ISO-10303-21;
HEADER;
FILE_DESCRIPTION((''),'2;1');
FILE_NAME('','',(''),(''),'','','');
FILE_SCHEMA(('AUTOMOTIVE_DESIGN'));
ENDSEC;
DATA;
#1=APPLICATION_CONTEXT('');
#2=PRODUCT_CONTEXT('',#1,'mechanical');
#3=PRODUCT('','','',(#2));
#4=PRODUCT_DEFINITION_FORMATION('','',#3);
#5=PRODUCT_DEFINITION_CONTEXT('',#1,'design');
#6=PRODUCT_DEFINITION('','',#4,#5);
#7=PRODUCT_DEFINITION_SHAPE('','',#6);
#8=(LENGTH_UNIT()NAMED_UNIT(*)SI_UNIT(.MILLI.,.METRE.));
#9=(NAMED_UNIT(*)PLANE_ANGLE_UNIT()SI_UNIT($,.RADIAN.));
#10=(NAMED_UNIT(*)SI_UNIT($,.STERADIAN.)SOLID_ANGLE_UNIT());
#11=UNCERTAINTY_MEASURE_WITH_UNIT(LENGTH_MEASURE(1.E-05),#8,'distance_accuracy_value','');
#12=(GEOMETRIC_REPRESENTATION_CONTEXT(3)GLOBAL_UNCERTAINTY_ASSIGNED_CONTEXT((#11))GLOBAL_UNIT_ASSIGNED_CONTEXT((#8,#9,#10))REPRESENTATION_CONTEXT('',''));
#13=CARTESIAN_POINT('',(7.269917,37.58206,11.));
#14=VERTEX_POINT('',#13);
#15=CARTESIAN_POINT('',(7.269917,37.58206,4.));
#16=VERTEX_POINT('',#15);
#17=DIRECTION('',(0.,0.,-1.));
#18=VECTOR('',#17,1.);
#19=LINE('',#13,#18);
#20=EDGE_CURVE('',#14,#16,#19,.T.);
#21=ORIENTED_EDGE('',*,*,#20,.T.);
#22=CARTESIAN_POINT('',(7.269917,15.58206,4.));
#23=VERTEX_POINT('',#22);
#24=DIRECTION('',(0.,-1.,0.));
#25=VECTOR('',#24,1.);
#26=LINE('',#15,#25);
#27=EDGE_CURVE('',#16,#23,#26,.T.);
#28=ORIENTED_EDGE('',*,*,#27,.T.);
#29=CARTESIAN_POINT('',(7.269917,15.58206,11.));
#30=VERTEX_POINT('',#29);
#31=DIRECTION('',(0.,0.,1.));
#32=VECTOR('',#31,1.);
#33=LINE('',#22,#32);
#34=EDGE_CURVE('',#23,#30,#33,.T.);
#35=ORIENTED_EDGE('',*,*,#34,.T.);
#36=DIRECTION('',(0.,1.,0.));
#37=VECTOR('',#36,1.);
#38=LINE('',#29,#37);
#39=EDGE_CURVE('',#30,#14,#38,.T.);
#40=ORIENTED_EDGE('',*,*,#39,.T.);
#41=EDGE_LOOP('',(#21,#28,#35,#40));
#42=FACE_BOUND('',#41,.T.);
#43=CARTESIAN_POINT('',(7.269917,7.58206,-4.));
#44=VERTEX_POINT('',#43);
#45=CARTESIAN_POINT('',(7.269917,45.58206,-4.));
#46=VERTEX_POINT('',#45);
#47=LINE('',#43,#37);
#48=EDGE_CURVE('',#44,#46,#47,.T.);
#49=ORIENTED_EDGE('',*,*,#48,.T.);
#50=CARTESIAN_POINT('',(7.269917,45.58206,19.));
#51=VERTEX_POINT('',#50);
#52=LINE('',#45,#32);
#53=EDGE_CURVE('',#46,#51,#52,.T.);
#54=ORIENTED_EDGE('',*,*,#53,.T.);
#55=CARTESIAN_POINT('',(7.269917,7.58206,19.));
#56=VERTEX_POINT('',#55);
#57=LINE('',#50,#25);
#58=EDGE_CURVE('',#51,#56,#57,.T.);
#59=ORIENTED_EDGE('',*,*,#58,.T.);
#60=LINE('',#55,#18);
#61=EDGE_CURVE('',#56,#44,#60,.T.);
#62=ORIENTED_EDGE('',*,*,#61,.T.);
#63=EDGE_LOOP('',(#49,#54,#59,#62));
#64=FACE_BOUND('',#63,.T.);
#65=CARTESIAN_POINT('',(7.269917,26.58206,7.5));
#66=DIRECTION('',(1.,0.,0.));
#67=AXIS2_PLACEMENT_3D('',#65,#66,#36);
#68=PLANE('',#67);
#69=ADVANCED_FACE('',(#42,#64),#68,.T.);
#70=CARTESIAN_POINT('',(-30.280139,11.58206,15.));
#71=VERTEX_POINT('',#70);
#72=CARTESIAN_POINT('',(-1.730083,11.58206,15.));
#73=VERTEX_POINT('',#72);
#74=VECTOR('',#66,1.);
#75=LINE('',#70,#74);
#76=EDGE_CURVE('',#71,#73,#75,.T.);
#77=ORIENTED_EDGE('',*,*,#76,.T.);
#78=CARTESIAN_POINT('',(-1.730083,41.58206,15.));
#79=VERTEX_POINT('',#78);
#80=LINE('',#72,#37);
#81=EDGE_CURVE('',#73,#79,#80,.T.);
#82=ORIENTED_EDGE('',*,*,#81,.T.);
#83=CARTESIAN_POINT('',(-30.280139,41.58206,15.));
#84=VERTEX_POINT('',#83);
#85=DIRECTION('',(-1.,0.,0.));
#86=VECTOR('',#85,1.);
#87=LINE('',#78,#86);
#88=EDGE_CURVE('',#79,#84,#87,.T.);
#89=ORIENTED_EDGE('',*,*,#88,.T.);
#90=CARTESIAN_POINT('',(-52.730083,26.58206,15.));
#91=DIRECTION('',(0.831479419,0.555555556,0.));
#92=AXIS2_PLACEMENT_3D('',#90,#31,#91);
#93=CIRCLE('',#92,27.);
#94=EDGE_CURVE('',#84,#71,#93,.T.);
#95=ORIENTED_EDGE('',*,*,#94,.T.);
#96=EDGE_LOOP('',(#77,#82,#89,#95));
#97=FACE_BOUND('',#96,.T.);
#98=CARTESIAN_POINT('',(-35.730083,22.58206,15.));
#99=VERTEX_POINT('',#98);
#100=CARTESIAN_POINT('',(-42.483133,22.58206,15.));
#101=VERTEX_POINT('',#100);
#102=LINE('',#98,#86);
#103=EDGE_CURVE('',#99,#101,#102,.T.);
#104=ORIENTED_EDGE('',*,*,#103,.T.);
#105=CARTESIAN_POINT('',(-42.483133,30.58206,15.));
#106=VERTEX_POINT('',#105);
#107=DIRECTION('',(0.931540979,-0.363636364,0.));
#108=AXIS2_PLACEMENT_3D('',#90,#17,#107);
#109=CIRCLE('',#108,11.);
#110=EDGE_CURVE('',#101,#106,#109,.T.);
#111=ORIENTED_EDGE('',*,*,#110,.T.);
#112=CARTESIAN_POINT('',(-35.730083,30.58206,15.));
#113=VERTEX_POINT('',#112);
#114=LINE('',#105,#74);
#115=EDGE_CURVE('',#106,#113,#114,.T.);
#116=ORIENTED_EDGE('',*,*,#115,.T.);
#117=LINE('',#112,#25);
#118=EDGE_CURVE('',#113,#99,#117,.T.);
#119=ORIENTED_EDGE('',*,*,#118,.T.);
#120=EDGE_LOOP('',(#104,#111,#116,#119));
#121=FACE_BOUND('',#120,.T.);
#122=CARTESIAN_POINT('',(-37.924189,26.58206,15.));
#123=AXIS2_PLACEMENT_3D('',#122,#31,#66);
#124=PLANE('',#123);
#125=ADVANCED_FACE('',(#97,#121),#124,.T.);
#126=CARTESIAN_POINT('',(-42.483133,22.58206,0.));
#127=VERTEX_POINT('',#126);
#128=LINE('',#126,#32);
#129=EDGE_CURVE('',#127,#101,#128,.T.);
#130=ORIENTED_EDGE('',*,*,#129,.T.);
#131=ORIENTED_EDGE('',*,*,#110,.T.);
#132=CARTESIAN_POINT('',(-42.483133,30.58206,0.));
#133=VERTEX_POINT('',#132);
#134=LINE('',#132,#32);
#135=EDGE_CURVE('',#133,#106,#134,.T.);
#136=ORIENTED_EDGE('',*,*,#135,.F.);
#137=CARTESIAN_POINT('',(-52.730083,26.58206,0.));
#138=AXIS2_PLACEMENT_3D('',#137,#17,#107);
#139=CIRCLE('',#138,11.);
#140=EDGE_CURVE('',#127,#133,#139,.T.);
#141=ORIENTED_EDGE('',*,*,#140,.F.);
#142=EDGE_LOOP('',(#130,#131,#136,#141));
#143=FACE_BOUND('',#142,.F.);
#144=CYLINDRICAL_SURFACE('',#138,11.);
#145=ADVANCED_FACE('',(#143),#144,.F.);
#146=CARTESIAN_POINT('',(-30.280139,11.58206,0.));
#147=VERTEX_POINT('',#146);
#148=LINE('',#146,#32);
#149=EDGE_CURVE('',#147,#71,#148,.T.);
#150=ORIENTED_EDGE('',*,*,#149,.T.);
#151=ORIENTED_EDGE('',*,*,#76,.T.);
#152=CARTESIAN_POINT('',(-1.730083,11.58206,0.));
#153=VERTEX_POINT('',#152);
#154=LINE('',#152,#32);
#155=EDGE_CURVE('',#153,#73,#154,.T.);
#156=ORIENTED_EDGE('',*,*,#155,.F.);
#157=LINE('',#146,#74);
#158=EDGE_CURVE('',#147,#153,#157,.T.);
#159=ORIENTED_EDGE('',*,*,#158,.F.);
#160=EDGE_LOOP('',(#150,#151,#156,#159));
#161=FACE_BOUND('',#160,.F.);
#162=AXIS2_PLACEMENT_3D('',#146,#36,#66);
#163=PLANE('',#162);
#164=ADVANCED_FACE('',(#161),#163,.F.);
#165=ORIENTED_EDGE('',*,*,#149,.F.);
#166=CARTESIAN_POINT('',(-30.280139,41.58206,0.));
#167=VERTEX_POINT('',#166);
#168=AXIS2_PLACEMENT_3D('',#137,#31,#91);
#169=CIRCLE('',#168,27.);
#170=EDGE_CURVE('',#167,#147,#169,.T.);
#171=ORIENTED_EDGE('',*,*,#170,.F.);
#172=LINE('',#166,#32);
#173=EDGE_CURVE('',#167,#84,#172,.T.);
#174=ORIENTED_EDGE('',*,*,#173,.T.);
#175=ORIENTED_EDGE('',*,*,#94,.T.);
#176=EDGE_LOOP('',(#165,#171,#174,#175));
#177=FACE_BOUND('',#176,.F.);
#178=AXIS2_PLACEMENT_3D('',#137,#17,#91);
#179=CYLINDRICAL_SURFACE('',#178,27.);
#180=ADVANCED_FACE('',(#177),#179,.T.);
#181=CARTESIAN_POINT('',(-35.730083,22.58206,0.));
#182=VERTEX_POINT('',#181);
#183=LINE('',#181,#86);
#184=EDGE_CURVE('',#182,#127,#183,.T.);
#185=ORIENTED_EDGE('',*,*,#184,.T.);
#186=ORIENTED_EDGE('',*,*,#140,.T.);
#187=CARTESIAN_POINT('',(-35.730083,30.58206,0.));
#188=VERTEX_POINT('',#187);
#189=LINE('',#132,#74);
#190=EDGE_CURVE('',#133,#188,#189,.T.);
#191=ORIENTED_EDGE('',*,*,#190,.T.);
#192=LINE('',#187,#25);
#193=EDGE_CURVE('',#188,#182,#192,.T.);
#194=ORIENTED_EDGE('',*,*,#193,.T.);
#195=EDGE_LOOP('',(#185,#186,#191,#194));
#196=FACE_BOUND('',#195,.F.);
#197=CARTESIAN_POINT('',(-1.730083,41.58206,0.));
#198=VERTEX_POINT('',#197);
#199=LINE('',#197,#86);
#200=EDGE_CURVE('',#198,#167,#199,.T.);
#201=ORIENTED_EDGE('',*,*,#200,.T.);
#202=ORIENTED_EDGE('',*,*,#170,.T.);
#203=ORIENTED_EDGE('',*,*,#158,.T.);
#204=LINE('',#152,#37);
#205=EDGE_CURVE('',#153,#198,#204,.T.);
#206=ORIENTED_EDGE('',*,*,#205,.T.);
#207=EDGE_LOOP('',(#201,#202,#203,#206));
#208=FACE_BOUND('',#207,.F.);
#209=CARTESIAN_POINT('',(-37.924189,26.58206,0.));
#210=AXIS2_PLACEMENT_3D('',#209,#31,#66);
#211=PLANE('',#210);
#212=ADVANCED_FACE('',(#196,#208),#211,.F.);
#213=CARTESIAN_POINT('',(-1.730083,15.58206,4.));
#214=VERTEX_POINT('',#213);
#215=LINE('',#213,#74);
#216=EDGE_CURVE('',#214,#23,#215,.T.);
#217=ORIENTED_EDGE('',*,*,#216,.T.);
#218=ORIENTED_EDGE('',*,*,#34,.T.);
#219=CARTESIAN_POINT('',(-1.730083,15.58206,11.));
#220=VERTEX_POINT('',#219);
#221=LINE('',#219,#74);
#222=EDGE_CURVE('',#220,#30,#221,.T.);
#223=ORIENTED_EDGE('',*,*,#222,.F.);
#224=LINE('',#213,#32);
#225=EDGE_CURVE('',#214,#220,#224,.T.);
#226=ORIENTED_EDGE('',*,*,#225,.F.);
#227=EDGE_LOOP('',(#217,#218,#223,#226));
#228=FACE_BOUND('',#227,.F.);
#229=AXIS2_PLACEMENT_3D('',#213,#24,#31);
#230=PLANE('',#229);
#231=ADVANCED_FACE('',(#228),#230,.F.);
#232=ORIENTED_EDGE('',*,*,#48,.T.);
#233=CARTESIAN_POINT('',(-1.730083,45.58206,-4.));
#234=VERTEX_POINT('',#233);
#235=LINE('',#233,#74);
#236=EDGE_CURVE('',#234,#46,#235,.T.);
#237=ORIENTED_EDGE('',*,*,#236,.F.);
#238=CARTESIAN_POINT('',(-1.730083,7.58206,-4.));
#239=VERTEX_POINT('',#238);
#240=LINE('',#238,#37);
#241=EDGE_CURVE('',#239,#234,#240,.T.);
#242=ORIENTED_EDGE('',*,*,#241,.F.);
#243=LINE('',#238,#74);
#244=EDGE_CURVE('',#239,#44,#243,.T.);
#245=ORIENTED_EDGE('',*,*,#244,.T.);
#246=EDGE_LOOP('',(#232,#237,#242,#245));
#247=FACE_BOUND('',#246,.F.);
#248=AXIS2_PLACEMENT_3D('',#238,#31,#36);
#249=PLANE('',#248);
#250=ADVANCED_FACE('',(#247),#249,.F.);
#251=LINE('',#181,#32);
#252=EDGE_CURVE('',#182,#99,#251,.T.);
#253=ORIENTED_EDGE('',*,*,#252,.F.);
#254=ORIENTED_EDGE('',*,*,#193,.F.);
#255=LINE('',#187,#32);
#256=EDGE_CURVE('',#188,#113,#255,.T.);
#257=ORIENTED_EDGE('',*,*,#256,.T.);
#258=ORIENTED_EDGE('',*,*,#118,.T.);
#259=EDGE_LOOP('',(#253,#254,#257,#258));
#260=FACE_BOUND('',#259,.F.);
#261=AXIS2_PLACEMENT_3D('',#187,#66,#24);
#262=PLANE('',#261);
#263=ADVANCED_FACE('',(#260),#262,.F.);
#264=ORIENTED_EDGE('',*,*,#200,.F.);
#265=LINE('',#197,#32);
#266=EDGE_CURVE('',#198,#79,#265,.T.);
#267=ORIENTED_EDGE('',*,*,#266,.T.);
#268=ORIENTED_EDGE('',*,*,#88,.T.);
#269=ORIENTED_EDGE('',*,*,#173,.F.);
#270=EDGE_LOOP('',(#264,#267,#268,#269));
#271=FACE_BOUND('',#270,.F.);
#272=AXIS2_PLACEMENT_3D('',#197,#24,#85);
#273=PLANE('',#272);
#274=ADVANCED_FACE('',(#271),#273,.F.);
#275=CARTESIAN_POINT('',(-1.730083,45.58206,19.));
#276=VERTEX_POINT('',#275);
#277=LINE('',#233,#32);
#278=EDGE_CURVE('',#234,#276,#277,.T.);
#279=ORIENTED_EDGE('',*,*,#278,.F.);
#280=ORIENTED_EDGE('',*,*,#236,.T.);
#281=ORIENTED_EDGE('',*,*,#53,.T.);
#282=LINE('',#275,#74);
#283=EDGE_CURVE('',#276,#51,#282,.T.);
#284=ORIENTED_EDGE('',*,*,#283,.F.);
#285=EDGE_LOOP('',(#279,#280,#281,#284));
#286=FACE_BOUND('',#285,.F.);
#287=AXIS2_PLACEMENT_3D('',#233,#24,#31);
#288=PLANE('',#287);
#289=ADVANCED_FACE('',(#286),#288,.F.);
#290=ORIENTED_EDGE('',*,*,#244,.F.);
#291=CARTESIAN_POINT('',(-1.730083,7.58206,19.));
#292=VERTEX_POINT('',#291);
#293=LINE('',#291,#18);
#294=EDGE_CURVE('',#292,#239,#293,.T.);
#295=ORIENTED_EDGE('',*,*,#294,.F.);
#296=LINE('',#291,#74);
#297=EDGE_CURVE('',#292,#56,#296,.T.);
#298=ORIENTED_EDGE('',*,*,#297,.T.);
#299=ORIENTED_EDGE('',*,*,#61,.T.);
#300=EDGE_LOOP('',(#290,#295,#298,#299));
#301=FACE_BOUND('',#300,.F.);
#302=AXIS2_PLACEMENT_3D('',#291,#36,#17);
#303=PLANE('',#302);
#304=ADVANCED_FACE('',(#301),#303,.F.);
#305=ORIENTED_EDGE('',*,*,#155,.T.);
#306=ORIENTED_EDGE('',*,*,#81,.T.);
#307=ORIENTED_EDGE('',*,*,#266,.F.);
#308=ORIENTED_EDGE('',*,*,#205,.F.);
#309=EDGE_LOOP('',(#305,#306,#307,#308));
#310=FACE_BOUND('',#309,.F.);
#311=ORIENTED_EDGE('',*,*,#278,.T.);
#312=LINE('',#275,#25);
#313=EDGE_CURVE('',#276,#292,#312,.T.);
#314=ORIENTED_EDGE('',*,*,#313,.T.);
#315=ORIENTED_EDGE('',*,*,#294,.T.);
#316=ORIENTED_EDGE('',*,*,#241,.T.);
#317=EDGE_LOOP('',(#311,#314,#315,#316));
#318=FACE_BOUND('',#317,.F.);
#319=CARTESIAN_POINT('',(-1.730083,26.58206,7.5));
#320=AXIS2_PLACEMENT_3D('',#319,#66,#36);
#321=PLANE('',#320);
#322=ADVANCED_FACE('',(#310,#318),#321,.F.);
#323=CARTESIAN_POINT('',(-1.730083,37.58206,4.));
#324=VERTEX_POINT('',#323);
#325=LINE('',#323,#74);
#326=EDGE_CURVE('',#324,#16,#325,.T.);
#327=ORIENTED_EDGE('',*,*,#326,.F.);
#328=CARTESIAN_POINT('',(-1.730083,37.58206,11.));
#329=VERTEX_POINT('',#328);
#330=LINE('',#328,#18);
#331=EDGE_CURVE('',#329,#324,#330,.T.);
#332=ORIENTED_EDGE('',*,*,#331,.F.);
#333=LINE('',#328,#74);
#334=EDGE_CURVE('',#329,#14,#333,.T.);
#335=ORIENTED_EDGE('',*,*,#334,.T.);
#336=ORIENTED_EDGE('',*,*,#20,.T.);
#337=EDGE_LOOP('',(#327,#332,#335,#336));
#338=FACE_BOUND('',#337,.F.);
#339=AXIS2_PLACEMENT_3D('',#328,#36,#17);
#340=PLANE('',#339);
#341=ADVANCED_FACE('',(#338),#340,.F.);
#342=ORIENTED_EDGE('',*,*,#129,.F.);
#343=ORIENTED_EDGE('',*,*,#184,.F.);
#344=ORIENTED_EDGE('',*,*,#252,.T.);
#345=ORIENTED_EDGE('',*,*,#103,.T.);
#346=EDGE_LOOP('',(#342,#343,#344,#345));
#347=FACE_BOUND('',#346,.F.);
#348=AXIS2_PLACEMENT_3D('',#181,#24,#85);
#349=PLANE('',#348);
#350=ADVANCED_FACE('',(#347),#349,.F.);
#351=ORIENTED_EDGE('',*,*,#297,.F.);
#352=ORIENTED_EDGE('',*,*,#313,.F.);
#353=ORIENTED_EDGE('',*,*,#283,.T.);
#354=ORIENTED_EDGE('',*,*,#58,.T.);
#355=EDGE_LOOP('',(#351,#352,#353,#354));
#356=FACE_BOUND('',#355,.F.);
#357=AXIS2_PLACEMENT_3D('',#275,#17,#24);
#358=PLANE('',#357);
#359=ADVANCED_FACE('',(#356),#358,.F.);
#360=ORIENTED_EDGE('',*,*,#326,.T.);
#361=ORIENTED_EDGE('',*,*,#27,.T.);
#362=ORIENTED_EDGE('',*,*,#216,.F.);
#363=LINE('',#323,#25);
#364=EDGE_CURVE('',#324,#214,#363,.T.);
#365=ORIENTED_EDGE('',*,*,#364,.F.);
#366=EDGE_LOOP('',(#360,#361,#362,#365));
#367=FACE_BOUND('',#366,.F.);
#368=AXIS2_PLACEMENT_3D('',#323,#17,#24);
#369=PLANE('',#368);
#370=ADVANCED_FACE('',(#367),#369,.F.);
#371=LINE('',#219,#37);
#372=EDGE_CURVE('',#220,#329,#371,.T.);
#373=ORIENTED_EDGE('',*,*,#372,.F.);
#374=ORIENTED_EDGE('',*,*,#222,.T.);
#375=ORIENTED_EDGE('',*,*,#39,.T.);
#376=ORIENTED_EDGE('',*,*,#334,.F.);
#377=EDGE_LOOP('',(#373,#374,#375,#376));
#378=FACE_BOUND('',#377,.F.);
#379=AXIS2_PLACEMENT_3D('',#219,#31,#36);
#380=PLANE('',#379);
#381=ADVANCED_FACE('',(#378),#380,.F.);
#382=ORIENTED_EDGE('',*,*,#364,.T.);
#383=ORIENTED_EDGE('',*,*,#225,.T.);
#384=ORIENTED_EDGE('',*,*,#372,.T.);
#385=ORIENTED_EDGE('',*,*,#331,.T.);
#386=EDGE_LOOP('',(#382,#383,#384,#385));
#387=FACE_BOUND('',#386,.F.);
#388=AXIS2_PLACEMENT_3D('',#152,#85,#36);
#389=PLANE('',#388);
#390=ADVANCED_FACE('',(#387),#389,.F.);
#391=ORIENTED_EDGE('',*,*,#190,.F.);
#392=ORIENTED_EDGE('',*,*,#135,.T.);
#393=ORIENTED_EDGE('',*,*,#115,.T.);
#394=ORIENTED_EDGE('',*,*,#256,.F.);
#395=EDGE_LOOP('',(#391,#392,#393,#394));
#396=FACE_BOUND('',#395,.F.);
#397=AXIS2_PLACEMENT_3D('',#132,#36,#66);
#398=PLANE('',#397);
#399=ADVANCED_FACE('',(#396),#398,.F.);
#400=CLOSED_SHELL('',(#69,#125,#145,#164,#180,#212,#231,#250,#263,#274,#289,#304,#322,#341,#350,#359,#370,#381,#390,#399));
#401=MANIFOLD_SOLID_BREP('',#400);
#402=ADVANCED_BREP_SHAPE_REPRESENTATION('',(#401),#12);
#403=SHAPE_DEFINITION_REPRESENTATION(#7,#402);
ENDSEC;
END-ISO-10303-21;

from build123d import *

# Parameters (mm, degrees)
F1_DEPTH = 15
F2_W     = 30
F2_H     = 15
F3_DEPTH = 9


with BuildPart() as f1:
    # F0 (on Top) → F1 (new body)
    with BuildSketch(Plane.XY):
        with BuildLine():
            Line((-1.7300834656, 11.5820603818), (-1.7300834656, 26.5820603818))
            Line((-1.7300834656, 26.5820603818), (-1.7300834656, 41.5820603818))
            Line((-1.7300834656, 41.5820603818), (-30.2801391449, 41.5820603818))
            ThreePointArc((-30.2801391449, 41.5820603818), (-79.7300834656, 26.5820603818), (-30.2801391449, 11.5820603818))
            Line((-30.2801391449, 11.5820603818), (-1.7300834656, 11.5820603818))
        make_face()
        with BuildLine():
            ThreePointArc((-42.4831326996, 22.5820603818), (-63.7300834656, 26.5820603818), (-42.4831326996, 30.5820603818))
            Line((-42.4831326996, 30.5820603818), (-35.7300834656, 30.5820603818))
            Line((-35.7300834656, 30.5820603818), (-35.7300834656, 26.5820603818))
            Line((-35.7300834656, 26.5820603818), (-35.7300834656, 22.5820603818))
            Line((-35.7300834656, 22.5820603818), (-42.4831326996, 22.5820603818))
        make_face(mode=Mode.SUBTRACT)
    extrude(amount=F1_DEPTH)

    # F2 (on face) → F3 (join)
    with BuildSketch(Plane.YZ.offset(-1.7300834656)):
        Polygon((45.5820603818, 19), (26.5820603818, 19), (7.5820603818, 19), (7.5820603818, -4), (45.5820603818, -4), align=None)
        with Locations((26.5820603818, 7.5)):
            Rectangle(F2_W, F2_H, mode=Mode.SUBTRACT)
        with Locations((26.5820603818, 7.5)):
            Rectangle(F2_W, F2_H)
        Polygon((15.5820603818, 11), (26.5820603818, 11), (37.5820603818, 11), (37.5820603818, 4), (15.5820603818, 4), align=None, mode=Mode.SUBTRACT)
    extrude(amount=F3_DEPTH)


solid = f1.part
